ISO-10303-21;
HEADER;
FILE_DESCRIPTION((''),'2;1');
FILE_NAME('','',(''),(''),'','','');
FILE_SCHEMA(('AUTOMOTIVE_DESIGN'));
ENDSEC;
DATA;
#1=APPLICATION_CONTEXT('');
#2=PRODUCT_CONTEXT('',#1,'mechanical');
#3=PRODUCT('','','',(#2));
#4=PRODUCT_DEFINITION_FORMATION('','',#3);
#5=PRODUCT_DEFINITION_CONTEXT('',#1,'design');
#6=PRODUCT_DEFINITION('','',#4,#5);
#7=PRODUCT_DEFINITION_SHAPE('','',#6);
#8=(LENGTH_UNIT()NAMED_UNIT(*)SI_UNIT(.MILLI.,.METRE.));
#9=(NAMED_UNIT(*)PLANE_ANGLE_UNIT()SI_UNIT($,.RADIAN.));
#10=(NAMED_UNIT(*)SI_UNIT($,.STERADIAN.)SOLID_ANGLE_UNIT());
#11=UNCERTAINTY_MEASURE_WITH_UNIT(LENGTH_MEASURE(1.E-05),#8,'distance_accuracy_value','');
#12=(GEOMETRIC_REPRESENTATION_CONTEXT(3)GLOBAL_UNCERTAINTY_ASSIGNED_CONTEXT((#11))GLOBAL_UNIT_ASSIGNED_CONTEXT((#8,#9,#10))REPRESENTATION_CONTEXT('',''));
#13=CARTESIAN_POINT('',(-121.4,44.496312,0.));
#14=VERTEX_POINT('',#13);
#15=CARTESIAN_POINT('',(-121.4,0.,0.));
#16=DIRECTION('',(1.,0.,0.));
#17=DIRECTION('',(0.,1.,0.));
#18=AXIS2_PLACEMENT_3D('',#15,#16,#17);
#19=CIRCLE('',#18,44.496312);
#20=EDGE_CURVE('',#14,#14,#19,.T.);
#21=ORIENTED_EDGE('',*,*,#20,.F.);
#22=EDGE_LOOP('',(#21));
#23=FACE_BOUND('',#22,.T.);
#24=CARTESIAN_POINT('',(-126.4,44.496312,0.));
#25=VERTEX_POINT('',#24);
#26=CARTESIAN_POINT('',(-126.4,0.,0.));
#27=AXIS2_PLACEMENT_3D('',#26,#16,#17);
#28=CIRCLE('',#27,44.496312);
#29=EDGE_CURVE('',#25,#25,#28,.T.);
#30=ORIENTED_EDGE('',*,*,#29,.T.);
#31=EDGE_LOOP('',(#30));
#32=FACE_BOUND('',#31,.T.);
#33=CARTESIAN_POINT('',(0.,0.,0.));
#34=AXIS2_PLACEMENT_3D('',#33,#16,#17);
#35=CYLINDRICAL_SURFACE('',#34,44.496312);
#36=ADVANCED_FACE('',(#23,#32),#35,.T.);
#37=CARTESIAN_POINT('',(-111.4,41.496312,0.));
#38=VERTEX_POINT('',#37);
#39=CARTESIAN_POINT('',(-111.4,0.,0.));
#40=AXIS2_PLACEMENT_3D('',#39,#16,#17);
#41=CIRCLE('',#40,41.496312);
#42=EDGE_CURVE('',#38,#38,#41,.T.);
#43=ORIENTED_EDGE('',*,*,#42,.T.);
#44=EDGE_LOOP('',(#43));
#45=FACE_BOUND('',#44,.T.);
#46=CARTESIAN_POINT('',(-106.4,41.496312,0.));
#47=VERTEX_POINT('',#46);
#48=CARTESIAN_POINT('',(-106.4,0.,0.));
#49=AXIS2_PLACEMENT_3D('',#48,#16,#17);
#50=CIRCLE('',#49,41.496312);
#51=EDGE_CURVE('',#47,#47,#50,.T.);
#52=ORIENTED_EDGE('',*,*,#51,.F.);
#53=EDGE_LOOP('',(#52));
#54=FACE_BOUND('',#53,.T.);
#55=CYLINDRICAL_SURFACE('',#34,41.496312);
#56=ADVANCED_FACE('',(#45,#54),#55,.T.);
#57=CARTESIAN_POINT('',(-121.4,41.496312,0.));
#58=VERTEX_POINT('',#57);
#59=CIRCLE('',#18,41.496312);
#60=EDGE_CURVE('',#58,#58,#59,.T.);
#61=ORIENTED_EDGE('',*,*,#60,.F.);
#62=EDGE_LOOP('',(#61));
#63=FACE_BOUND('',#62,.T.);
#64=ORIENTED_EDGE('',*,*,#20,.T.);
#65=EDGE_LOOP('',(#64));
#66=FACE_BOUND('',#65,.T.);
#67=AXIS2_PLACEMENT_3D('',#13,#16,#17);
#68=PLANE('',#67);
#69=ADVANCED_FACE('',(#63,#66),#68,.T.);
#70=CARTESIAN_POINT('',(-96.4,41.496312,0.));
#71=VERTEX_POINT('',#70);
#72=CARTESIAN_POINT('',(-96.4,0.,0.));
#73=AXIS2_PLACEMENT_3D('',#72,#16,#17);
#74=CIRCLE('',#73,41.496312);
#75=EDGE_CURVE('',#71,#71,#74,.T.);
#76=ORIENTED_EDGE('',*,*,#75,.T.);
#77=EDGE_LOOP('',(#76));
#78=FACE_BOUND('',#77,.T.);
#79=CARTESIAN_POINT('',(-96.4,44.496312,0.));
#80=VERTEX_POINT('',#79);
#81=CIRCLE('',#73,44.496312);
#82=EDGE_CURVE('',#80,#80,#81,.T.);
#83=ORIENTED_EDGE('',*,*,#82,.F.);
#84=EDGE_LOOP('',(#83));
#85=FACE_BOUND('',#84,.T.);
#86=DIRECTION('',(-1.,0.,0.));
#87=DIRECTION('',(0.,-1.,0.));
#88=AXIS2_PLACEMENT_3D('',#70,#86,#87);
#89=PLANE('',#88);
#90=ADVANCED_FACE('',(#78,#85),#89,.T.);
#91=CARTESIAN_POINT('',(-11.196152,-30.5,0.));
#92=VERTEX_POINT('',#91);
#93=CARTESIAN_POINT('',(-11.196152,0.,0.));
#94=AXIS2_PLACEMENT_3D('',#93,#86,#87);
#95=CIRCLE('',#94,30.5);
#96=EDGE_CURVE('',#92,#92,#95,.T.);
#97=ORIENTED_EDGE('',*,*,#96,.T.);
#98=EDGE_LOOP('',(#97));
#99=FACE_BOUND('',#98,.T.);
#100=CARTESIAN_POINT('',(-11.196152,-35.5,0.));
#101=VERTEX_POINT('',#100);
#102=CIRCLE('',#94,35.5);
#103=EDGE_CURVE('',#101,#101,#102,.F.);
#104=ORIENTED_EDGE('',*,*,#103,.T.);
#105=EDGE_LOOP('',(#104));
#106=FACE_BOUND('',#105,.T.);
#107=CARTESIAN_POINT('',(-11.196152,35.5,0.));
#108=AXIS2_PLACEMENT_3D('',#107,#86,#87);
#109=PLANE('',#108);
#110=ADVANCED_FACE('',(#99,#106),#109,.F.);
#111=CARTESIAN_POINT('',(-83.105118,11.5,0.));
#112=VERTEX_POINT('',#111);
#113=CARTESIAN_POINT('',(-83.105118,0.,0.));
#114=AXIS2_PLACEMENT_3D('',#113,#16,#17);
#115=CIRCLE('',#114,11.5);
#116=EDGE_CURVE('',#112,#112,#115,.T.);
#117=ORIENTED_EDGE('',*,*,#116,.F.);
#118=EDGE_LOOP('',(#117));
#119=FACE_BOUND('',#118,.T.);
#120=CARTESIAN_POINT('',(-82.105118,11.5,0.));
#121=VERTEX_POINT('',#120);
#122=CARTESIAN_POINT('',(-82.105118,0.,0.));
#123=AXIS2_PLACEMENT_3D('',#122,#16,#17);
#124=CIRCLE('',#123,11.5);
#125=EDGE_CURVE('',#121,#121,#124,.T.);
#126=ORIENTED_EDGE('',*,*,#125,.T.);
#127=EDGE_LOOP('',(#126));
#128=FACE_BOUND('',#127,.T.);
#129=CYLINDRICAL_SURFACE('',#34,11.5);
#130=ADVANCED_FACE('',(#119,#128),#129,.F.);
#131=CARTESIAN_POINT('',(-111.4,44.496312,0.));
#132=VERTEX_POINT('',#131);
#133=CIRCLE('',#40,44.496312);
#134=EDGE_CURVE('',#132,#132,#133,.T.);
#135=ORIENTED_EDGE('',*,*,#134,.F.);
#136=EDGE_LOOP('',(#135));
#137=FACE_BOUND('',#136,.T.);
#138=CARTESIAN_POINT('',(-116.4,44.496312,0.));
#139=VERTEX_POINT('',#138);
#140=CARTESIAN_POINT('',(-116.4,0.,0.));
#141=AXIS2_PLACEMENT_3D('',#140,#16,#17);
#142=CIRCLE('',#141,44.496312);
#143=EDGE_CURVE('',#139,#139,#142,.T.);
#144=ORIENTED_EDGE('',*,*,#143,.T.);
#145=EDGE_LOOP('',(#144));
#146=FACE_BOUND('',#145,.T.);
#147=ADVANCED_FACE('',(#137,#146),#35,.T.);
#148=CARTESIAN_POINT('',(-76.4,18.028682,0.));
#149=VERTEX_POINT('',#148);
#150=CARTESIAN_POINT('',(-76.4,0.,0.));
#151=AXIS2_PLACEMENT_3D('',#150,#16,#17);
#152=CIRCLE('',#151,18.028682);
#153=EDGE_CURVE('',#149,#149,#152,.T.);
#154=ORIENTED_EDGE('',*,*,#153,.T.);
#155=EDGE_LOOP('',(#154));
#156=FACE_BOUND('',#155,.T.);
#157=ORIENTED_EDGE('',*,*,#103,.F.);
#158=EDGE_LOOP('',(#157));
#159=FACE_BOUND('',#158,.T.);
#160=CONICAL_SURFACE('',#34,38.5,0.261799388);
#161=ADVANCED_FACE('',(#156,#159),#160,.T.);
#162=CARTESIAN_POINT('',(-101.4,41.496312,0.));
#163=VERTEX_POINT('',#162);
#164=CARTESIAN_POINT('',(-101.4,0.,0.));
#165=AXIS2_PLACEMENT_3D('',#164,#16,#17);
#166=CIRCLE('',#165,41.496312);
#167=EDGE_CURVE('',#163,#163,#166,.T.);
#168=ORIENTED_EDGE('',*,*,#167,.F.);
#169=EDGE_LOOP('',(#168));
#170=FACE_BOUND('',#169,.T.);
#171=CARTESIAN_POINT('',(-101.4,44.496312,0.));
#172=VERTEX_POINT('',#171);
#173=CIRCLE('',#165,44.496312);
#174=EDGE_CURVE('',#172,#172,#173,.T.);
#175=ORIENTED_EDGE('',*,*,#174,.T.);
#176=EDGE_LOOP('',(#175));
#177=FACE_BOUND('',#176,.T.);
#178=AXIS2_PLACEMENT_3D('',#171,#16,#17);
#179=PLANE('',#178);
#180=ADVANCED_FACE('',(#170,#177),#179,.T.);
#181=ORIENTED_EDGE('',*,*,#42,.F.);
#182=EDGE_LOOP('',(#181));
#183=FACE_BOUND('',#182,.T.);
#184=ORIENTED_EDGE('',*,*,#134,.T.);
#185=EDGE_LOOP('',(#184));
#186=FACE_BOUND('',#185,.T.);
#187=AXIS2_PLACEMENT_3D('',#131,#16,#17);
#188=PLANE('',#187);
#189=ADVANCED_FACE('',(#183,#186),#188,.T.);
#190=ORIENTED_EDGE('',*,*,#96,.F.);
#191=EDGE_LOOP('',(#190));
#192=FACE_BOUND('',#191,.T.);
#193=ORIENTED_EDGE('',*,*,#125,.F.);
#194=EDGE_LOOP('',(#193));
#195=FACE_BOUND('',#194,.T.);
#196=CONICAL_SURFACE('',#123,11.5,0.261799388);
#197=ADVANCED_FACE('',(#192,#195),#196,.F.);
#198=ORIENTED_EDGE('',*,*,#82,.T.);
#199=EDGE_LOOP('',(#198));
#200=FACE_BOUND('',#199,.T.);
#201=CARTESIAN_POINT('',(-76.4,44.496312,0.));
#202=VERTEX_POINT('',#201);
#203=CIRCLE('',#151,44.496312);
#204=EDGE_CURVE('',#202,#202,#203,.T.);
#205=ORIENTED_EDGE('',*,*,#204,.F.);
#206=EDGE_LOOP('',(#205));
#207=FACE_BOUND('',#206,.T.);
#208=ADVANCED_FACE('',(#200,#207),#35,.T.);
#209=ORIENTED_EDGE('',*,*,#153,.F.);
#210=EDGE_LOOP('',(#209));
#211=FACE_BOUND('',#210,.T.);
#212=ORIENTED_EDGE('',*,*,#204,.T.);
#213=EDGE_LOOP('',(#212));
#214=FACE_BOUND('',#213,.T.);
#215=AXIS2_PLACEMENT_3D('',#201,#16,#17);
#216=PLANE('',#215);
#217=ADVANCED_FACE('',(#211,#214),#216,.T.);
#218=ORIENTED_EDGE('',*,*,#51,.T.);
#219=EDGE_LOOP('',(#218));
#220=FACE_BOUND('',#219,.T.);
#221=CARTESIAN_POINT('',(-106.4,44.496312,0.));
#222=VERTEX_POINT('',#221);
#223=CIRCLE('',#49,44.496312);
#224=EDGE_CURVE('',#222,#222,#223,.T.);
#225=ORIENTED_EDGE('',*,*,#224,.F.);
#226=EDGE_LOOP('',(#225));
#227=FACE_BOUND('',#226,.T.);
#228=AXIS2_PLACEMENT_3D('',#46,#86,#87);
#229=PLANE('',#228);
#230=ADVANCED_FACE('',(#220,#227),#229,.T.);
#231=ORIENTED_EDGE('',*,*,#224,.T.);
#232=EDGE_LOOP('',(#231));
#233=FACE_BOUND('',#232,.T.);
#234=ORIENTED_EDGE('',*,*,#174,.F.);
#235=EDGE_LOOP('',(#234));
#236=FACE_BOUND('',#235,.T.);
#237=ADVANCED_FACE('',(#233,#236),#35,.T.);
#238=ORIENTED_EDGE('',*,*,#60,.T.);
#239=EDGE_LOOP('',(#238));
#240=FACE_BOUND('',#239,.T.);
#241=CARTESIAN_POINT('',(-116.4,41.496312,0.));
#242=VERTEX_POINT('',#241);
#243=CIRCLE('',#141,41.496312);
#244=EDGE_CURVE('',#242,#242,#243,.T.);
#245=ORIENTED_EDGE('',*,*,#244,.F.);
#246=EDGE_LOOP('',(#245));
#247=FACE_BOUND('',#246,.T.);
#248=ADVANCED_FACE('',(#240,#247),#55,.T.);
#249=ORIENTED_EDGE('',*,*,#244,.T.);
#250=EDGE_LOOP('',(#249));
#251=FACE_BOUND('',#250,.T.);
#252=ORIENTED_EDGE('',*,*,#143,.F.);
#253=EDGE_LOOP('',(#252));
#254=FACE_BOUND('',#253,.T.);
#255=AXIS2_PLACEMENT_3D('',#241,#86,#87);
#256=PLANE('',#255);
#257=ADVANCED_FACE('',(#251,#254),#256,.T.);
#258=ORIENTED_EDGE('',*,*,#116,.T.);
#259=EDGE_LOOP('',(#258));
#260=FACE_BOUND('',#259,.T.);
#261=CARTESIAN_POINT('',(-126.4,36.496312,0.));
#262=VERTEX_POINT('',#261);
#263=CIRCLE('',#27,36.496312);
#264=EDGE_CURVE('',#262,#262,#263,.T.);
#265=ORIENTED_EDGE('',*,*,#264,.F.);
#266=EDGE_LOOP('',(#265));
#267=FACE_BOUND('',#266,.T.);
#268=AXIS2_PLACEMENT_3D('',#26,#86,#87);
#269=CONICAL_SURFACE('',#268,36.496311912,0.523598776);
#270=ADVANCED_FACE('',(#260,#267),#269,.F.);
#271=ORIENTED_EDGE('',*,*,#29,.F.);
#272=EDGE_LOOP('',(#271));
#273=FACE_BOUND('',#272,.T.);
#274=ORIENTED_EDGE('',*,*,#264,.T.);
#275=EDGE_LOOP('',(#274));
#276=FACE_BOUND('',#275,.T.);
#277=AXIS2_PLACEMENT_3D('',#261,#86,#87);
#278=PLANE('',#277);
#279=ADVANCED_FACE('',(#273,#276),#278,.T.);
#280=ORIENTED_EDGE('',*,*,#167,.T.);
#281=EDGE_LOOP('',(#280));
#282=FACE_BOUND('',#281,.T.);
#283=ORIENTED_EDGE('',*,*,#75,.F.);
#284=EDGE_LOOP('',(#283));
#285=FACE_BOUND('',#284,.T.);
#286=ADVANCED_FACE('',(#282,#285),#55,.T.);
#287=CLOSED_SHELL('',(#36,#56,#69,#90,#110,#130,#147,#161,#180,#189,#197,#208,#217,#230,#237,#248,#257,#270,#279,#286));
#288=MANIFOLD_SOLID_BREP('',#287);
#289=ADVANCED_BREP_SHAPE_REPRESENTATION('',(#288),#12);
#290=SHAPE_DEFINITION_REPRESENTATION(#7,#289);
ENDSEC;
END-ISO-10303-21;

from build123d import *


with BuildPart() as part:
    # Sketch1 → Revolve1 (revolve)
    with BuildSketch(Plane.XY):
        Polygon((-82.105117767, 11.5), (0, 33.5), (0, 38.5), (-76.4, 18.028681698), (-76.4, 44.496311912), (-96.4, 44.496311912), (-96.4, 41.496311912), (-101.4, 41.496311912), (-101.4, 44.496311912), (-106.4, 44.496311912), (-106.4, 41.496311912), (-111.4, 41.496311912), (-111.4, 44.496311912), (-116.4, 44.496311912), (-116.4, 41.496311912), (-121.4, 41.496311912), (-121.4, 44.496311912), (-126.4, 44.496311912), (-126.4, 36.496311912), (-83.105117767, 11.5), align=None)
    revolve(axis=Axis((0, 0, 0), (-1, 0, 0)))

    # Sketch2 → Cut-Revolve1 (revolve, cut)
    with BuildSketch(Plane.XY):
        Polygon((-11.196152423, 0), (-11.196152423, 35.5), (-11.196152423, 56.271944123), (14.531335426, 56.271944123), (14.531335426, 0), align=None)
    revolve(axis=Axis((0, 0, 0), (-1, 0, 0)), mode=Mode.SUBTRACT)


solid = part.part
